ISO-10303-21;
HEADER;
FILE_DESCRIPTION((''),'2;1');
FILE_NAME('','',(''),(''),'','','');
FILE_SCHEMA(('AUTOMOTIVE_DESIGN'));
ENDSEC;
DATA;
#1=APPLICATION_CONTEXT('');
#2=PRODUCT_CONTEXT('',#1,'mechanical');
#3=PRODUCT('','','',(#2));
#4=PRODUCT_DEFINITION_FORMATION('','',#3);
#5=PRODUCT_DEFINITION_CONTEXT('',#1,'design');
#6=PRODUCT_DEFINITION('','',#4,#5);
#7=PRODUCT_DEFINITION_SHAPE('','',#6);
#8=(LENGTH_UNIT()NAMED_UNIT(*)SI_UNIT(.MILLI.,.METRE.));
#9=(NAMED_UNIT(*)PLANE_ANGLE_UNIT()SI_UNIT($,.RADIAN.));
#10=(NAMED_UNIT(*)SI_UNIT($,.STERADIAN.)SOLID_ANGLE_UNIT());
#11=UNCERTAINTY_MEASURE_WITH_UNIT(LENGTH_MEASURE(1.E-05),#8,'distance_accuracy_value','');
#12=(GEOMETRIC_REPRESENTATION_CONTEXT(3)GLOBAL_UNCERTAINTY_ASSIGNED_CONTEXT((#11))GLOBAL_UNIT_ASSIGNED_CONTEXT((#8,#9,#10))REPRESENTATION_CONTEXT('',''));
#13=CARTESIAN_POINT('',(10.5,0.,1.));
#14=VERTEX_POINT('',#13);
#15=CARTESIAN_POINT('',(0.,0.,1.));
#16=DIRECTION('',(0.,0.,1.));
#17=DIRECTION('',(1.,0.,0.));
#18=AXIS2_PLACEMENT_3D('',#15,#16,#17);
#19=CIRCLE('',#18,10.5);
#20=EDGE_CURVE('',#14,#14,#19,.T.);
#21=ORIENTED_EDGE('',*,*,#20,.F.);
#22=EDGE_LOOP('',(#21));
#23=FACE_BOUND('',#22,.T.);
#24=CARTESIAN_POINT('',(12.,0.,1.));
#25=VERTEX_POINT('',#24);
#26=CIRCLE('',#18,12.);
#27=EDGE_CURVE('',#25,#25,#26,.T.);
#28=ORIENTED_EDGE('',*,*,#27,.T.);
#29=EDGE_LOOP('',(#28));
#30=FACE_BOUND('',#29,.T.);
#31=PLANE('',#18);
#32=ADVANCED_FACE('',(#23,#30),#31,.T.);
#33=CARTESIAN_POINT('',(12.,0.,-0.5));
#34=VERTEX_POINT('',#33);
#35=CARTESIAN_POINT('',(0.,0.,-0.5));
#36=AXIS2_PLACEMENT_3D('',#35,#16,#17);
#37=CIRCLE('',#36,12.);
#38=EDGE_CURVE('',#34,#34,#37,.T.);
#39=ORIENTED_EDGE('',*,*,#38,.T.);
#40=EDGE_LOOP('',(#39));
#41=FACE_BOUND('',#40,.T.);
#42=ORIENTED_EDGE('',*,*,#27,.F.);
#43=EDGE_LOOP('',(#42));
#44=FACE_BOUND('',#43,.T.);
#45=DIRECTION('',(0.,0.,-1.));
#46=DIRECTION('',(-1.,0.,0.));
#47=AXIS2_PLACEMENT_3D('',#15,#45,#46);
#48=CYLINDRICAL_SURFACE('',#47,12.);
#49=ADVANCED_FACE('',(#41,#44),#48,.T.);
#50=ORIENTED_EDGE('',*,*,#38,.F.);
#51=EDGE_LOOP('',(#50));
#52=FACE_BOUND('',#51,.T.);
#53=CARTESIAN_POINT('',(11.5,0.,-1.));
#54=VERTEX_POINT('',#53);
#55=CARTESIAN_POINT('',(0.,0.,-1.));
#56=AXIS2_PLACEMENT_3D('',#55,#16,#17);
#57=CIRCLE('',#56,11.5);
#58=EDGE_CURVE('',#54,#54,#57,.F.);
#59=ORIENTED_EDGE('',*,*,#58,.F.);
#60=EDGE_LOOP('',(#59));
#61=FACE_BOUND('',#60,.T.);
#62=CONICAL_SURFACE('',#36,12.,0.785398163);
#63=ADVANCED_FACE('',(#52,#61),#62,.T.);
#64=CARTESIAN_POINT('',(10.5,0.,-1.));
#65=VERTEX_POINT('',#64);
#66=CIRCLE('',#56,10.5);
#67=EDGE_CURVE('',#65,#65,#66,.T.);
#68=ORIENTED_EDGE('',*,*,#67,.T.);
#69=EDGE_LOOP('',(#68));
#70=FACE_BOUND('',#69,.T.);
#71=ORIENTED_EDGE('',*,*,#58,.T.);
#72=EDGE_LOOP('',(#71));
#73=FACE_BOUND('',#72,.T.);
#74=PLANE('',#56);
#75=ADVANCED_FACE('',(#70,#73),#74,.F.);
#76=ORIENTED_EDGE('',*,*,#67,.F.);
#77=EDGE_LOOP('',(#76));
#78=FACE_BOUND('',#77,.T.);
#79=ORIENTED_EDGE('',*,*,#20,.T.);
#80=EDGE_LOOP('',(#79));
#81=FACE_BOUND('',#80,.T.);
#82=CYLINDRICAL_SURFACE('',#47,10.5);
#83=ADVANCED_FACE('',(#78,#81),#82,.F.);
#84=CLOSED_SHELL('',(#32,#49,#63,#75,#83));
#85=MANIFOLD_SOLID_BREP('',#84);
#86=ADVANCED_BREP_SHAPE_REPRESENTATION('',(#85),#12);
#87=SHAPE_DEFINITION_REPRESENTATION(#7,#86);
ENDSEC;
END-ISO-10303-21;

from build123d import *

# Parameters (mm, degrees)
ESQUISSE1_R        = 12
ESQUISSE1_R_2      = 10.5
BOSS_EXTRU_1_DEPTH = 1
CHANFREIN1_SIZE    = 0.5


with BuildPart() as part:
    # Esquisse1 → Boss.-Extru.1 (new body, symmetric)
    with BuildSketch(Plane.XY):
        Circle(ESQUISSE1_R)
        Circle(ESQUISSE1_R_2, mode=Mode.SUBTRACT)
    extrude(amount=BOSS_EXTRU_1_DEPTH, both=True)

    # Chanfrein1
    chanfrein1_edges = [part.edges().sort_by_distance(p)[0] for p in [
        (-12, 0, -1),
    ]]
    chamfer(chanfrein1_edges, length=CHANFREIN1_SIZE)


solid = part.part
